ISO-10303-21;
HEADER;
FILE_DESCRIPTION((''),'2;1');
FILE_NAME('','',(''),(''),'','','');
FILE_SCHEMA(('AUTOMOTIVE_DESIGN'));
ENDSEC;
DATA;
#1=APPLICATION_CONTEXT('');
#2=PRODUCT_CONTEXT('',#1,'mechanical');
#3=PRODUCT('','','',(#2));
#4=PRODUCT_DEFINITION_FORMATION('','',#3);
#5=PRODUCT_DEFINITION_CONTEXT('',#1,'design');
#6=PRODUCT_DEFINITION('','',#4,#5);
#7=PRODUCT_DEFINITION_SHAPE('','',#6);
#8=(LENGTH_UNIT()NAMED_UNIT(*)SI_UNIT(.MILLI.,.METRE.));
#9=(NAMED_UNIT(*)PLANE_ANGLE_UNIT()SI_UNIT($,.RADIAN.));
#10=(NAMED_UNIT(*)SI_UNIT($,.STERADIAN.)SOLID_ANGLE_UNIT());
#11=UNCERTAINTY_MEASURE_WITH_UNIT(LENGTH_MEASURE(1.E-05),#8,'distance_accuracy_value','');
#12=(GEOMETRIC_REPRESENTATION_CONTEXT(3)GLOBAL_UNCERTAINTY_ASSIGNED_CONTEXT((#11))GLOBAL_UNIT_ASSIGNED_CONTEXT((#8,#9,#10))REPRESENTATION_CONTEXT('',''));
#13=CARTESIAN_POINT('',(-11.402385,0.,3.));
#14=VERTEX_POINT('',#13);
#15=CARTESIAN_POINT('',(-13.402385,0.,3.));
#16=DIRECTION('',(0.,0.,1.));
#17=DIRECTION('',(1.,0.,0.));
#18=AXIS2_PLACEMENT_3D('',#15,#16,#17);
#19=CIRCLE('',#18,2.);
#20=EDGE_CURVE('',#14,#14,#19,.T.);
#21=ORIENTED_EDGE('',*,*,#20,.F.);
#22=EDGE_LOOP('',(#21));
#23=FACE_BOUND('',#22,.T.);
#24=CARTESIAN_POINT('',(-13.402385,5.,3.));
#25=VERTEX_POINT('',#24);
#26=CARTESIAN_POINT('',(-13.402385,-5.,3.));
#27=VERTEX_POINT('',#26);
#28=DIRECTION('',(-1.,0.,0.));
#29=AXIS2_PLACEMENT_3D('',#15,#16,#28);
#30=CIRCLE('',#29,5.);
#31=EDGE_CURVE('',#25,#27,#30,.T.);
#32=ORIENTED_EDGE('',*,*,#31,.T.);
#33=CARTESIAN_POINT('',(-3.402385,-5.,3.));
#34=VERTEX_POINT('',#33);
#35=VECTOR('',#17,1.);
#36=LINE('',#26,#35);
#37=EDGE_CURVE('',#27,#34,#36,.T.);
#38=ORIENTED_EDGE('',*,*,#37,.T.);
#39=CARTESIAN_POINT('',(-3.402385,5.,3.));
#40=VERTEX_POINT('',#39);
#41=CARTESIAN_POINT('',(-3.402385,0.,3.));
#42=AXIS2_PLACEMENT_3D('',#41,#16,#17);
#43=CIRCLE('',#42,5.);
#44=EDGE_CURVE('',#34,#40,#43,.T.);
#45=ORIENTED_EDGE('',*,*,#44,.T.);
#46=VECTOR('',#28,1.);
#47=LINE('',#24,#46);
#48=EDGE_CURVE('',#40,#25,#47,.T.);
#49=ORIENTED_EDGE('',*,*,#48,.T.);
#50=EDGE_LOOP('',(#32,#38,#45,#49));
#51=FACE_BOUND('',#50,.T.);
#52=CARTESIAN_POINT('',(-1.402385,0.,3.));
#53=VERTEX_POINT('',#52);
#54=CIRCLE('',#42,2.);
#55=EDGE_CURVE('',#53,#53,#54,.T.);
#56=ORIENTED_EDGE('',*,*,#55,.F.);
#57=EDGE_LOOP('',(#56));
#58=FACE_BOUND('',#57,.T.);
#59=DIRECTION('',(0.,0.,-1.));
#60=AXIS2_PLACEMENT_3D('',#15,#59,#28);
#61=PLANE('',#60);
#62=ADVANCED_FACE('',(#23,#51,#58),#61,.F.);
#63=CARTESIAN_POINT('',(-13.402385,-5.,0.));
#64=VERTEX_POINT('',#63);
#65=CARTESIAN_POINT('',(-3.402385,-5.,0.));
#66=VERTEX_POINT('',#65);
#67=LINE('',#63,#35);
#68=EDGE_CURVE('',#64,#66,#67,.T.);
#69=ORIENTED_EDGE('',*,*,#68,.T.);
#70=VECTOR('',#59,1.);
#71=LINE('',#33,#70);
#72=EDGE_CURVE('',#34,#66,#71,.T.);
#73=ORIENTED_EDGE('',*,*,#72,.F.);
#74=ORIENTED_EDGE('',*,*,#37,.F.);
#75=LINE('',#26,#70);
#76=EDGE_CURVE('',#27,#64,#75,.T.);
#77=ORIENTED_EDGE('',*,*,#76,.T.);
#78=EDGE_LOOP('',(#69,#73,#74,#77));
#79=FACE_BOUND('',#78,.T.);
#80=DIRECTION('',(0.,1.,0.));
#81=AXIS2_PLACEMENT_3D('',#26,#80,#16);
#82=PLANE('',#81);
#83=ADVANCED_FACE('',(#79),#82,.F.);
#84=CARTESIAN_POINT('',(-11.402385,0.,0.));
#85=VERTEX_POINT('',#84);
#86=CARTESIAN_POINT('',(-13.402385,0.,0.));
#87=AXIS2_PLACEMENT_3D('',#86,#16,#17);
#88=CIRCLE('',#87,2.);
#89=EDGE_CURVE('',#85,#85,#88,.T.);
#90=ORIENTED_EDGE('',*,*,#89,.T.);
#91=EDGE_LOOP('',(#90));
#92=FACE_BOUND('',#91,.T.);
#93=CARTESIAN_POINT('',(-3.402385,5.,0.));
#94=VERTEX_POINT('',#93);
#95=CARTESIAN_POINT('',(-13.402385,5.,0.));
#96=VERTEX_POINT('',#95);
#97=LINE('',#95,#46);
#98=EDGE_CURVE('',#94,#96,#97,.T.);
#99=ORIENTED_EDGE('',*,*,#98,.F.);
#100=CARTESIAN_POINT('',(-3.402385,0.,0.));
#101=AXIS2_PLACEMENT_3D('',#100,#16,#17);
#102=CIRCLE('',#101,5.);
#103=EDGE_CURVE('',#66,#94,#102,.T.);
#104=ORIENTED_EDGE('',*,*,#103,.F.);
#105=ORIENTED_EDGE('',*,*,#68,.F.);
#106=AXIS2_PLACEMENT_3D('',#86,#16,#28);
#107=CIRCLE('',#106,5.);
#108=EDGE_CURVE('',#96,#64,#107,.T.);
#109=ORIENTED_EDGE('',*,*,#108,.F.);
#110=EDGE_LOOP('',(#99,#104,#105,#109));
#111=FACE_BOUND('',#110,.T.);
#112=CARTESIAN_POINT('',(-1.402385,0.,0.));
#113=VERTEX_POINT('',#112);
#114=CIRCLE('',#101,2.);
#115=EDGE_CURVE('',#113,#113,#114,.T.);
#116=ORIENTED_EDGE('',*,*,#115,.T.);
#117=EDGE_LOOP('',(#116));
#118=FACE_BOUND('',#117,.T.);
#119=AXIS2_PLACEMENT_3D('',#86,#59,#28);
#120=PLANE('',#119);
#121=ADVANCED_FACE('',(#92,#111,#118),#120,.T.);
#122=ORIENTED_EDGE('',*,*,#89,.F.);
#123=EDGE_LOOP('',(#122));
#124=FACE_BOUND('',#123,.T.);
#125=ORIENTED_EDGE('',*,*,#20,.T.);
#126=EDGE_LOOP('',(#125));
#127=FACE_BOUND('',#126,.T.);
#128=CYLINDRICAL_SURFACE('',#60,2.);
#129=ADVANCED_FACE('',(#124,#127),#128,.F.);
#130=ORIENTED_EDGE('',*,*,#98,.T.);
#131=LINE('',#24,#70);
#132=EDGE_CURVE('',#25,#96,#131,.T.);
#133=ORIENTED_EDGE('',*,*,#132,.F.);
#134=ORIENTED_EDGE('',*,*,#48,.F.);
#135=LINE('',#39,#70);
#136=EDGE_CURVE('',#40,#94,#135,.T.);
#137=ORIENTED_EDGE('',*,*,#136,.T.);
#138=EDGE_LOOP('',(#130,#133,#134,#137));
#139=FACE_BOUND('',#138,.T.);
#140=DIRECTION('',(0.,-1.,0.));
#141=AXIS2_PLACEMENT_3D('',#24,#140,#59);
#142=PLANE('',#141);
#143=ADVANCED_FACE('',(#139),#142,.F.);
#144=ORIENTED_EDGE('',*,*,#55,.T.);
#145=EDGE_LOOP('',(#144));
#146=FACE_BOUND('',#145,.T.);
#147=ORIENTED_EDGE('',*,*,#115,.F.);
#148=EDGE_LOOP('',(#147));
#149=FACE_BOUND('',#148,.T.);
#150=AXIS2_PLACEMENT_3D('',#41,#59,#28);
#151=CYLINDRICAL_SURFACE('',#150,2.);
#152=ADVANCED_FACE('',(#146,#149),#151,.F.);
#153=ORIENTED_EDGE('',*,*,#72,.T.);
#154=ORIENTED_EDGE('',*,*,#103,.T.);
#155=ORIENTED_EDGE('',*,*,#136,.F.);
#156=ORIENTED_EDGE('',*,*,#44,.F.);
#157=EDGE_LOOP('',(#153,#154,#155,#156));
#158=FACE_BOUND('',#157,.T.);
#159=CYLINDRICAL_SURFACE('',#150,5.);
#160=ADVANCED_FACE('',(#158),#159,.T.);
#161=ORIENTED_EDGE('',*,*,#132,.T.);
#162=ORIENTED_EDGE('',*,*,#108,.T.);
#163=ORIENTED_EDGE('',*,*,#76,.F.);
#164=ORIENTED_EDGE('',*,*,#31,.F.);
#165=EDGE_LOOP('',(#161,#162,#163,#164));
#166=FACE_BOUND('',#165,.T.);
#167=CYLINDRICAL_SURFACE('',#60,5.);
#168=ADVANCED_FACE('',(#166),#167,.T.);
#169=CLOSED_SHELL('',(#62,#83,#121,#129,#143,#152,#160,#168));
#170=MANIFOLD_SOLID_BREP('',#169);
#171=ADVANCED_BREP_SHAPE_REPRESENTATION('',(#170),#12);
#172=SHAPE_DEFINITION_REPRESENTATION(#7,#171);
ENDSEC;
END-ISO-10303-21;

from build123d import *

# Parameters (mm, degrees)
SKETCH1_R           = 2
BOSS_EXTRUDE1_DEPTH = 3


with BuildPart() as part:
    # Sketch1 → Boss-Extrude1 (new body)
    with BuildSketch(Plane.XY):
        with BuildLine():
            Line((-13.402385146, -5), (-3.402385146, -5))
            ThreePointArc((-3.402385146, -5), (1.597614854, 0), (-3.402385146, 5))
            Line((-3.402385146, 5), (-13.402385146, 5))
            ThreePointArc((-13.402385146, 5), (-18.402385146, 0), (-13.402385146, -5))
        make_face()
        with Locations((-13.402385146, 0)):
            Circle(SKETCH1_R, mode=Mode.SUBTRACT)
        with Locations((-3.402385146, 0)):
            Circle(SKETCH1_R, mode=Mode.SUBTRACT)
    extrude(amount=BOSS_EXTRUDE1_DEPTH)


solid = part.part
